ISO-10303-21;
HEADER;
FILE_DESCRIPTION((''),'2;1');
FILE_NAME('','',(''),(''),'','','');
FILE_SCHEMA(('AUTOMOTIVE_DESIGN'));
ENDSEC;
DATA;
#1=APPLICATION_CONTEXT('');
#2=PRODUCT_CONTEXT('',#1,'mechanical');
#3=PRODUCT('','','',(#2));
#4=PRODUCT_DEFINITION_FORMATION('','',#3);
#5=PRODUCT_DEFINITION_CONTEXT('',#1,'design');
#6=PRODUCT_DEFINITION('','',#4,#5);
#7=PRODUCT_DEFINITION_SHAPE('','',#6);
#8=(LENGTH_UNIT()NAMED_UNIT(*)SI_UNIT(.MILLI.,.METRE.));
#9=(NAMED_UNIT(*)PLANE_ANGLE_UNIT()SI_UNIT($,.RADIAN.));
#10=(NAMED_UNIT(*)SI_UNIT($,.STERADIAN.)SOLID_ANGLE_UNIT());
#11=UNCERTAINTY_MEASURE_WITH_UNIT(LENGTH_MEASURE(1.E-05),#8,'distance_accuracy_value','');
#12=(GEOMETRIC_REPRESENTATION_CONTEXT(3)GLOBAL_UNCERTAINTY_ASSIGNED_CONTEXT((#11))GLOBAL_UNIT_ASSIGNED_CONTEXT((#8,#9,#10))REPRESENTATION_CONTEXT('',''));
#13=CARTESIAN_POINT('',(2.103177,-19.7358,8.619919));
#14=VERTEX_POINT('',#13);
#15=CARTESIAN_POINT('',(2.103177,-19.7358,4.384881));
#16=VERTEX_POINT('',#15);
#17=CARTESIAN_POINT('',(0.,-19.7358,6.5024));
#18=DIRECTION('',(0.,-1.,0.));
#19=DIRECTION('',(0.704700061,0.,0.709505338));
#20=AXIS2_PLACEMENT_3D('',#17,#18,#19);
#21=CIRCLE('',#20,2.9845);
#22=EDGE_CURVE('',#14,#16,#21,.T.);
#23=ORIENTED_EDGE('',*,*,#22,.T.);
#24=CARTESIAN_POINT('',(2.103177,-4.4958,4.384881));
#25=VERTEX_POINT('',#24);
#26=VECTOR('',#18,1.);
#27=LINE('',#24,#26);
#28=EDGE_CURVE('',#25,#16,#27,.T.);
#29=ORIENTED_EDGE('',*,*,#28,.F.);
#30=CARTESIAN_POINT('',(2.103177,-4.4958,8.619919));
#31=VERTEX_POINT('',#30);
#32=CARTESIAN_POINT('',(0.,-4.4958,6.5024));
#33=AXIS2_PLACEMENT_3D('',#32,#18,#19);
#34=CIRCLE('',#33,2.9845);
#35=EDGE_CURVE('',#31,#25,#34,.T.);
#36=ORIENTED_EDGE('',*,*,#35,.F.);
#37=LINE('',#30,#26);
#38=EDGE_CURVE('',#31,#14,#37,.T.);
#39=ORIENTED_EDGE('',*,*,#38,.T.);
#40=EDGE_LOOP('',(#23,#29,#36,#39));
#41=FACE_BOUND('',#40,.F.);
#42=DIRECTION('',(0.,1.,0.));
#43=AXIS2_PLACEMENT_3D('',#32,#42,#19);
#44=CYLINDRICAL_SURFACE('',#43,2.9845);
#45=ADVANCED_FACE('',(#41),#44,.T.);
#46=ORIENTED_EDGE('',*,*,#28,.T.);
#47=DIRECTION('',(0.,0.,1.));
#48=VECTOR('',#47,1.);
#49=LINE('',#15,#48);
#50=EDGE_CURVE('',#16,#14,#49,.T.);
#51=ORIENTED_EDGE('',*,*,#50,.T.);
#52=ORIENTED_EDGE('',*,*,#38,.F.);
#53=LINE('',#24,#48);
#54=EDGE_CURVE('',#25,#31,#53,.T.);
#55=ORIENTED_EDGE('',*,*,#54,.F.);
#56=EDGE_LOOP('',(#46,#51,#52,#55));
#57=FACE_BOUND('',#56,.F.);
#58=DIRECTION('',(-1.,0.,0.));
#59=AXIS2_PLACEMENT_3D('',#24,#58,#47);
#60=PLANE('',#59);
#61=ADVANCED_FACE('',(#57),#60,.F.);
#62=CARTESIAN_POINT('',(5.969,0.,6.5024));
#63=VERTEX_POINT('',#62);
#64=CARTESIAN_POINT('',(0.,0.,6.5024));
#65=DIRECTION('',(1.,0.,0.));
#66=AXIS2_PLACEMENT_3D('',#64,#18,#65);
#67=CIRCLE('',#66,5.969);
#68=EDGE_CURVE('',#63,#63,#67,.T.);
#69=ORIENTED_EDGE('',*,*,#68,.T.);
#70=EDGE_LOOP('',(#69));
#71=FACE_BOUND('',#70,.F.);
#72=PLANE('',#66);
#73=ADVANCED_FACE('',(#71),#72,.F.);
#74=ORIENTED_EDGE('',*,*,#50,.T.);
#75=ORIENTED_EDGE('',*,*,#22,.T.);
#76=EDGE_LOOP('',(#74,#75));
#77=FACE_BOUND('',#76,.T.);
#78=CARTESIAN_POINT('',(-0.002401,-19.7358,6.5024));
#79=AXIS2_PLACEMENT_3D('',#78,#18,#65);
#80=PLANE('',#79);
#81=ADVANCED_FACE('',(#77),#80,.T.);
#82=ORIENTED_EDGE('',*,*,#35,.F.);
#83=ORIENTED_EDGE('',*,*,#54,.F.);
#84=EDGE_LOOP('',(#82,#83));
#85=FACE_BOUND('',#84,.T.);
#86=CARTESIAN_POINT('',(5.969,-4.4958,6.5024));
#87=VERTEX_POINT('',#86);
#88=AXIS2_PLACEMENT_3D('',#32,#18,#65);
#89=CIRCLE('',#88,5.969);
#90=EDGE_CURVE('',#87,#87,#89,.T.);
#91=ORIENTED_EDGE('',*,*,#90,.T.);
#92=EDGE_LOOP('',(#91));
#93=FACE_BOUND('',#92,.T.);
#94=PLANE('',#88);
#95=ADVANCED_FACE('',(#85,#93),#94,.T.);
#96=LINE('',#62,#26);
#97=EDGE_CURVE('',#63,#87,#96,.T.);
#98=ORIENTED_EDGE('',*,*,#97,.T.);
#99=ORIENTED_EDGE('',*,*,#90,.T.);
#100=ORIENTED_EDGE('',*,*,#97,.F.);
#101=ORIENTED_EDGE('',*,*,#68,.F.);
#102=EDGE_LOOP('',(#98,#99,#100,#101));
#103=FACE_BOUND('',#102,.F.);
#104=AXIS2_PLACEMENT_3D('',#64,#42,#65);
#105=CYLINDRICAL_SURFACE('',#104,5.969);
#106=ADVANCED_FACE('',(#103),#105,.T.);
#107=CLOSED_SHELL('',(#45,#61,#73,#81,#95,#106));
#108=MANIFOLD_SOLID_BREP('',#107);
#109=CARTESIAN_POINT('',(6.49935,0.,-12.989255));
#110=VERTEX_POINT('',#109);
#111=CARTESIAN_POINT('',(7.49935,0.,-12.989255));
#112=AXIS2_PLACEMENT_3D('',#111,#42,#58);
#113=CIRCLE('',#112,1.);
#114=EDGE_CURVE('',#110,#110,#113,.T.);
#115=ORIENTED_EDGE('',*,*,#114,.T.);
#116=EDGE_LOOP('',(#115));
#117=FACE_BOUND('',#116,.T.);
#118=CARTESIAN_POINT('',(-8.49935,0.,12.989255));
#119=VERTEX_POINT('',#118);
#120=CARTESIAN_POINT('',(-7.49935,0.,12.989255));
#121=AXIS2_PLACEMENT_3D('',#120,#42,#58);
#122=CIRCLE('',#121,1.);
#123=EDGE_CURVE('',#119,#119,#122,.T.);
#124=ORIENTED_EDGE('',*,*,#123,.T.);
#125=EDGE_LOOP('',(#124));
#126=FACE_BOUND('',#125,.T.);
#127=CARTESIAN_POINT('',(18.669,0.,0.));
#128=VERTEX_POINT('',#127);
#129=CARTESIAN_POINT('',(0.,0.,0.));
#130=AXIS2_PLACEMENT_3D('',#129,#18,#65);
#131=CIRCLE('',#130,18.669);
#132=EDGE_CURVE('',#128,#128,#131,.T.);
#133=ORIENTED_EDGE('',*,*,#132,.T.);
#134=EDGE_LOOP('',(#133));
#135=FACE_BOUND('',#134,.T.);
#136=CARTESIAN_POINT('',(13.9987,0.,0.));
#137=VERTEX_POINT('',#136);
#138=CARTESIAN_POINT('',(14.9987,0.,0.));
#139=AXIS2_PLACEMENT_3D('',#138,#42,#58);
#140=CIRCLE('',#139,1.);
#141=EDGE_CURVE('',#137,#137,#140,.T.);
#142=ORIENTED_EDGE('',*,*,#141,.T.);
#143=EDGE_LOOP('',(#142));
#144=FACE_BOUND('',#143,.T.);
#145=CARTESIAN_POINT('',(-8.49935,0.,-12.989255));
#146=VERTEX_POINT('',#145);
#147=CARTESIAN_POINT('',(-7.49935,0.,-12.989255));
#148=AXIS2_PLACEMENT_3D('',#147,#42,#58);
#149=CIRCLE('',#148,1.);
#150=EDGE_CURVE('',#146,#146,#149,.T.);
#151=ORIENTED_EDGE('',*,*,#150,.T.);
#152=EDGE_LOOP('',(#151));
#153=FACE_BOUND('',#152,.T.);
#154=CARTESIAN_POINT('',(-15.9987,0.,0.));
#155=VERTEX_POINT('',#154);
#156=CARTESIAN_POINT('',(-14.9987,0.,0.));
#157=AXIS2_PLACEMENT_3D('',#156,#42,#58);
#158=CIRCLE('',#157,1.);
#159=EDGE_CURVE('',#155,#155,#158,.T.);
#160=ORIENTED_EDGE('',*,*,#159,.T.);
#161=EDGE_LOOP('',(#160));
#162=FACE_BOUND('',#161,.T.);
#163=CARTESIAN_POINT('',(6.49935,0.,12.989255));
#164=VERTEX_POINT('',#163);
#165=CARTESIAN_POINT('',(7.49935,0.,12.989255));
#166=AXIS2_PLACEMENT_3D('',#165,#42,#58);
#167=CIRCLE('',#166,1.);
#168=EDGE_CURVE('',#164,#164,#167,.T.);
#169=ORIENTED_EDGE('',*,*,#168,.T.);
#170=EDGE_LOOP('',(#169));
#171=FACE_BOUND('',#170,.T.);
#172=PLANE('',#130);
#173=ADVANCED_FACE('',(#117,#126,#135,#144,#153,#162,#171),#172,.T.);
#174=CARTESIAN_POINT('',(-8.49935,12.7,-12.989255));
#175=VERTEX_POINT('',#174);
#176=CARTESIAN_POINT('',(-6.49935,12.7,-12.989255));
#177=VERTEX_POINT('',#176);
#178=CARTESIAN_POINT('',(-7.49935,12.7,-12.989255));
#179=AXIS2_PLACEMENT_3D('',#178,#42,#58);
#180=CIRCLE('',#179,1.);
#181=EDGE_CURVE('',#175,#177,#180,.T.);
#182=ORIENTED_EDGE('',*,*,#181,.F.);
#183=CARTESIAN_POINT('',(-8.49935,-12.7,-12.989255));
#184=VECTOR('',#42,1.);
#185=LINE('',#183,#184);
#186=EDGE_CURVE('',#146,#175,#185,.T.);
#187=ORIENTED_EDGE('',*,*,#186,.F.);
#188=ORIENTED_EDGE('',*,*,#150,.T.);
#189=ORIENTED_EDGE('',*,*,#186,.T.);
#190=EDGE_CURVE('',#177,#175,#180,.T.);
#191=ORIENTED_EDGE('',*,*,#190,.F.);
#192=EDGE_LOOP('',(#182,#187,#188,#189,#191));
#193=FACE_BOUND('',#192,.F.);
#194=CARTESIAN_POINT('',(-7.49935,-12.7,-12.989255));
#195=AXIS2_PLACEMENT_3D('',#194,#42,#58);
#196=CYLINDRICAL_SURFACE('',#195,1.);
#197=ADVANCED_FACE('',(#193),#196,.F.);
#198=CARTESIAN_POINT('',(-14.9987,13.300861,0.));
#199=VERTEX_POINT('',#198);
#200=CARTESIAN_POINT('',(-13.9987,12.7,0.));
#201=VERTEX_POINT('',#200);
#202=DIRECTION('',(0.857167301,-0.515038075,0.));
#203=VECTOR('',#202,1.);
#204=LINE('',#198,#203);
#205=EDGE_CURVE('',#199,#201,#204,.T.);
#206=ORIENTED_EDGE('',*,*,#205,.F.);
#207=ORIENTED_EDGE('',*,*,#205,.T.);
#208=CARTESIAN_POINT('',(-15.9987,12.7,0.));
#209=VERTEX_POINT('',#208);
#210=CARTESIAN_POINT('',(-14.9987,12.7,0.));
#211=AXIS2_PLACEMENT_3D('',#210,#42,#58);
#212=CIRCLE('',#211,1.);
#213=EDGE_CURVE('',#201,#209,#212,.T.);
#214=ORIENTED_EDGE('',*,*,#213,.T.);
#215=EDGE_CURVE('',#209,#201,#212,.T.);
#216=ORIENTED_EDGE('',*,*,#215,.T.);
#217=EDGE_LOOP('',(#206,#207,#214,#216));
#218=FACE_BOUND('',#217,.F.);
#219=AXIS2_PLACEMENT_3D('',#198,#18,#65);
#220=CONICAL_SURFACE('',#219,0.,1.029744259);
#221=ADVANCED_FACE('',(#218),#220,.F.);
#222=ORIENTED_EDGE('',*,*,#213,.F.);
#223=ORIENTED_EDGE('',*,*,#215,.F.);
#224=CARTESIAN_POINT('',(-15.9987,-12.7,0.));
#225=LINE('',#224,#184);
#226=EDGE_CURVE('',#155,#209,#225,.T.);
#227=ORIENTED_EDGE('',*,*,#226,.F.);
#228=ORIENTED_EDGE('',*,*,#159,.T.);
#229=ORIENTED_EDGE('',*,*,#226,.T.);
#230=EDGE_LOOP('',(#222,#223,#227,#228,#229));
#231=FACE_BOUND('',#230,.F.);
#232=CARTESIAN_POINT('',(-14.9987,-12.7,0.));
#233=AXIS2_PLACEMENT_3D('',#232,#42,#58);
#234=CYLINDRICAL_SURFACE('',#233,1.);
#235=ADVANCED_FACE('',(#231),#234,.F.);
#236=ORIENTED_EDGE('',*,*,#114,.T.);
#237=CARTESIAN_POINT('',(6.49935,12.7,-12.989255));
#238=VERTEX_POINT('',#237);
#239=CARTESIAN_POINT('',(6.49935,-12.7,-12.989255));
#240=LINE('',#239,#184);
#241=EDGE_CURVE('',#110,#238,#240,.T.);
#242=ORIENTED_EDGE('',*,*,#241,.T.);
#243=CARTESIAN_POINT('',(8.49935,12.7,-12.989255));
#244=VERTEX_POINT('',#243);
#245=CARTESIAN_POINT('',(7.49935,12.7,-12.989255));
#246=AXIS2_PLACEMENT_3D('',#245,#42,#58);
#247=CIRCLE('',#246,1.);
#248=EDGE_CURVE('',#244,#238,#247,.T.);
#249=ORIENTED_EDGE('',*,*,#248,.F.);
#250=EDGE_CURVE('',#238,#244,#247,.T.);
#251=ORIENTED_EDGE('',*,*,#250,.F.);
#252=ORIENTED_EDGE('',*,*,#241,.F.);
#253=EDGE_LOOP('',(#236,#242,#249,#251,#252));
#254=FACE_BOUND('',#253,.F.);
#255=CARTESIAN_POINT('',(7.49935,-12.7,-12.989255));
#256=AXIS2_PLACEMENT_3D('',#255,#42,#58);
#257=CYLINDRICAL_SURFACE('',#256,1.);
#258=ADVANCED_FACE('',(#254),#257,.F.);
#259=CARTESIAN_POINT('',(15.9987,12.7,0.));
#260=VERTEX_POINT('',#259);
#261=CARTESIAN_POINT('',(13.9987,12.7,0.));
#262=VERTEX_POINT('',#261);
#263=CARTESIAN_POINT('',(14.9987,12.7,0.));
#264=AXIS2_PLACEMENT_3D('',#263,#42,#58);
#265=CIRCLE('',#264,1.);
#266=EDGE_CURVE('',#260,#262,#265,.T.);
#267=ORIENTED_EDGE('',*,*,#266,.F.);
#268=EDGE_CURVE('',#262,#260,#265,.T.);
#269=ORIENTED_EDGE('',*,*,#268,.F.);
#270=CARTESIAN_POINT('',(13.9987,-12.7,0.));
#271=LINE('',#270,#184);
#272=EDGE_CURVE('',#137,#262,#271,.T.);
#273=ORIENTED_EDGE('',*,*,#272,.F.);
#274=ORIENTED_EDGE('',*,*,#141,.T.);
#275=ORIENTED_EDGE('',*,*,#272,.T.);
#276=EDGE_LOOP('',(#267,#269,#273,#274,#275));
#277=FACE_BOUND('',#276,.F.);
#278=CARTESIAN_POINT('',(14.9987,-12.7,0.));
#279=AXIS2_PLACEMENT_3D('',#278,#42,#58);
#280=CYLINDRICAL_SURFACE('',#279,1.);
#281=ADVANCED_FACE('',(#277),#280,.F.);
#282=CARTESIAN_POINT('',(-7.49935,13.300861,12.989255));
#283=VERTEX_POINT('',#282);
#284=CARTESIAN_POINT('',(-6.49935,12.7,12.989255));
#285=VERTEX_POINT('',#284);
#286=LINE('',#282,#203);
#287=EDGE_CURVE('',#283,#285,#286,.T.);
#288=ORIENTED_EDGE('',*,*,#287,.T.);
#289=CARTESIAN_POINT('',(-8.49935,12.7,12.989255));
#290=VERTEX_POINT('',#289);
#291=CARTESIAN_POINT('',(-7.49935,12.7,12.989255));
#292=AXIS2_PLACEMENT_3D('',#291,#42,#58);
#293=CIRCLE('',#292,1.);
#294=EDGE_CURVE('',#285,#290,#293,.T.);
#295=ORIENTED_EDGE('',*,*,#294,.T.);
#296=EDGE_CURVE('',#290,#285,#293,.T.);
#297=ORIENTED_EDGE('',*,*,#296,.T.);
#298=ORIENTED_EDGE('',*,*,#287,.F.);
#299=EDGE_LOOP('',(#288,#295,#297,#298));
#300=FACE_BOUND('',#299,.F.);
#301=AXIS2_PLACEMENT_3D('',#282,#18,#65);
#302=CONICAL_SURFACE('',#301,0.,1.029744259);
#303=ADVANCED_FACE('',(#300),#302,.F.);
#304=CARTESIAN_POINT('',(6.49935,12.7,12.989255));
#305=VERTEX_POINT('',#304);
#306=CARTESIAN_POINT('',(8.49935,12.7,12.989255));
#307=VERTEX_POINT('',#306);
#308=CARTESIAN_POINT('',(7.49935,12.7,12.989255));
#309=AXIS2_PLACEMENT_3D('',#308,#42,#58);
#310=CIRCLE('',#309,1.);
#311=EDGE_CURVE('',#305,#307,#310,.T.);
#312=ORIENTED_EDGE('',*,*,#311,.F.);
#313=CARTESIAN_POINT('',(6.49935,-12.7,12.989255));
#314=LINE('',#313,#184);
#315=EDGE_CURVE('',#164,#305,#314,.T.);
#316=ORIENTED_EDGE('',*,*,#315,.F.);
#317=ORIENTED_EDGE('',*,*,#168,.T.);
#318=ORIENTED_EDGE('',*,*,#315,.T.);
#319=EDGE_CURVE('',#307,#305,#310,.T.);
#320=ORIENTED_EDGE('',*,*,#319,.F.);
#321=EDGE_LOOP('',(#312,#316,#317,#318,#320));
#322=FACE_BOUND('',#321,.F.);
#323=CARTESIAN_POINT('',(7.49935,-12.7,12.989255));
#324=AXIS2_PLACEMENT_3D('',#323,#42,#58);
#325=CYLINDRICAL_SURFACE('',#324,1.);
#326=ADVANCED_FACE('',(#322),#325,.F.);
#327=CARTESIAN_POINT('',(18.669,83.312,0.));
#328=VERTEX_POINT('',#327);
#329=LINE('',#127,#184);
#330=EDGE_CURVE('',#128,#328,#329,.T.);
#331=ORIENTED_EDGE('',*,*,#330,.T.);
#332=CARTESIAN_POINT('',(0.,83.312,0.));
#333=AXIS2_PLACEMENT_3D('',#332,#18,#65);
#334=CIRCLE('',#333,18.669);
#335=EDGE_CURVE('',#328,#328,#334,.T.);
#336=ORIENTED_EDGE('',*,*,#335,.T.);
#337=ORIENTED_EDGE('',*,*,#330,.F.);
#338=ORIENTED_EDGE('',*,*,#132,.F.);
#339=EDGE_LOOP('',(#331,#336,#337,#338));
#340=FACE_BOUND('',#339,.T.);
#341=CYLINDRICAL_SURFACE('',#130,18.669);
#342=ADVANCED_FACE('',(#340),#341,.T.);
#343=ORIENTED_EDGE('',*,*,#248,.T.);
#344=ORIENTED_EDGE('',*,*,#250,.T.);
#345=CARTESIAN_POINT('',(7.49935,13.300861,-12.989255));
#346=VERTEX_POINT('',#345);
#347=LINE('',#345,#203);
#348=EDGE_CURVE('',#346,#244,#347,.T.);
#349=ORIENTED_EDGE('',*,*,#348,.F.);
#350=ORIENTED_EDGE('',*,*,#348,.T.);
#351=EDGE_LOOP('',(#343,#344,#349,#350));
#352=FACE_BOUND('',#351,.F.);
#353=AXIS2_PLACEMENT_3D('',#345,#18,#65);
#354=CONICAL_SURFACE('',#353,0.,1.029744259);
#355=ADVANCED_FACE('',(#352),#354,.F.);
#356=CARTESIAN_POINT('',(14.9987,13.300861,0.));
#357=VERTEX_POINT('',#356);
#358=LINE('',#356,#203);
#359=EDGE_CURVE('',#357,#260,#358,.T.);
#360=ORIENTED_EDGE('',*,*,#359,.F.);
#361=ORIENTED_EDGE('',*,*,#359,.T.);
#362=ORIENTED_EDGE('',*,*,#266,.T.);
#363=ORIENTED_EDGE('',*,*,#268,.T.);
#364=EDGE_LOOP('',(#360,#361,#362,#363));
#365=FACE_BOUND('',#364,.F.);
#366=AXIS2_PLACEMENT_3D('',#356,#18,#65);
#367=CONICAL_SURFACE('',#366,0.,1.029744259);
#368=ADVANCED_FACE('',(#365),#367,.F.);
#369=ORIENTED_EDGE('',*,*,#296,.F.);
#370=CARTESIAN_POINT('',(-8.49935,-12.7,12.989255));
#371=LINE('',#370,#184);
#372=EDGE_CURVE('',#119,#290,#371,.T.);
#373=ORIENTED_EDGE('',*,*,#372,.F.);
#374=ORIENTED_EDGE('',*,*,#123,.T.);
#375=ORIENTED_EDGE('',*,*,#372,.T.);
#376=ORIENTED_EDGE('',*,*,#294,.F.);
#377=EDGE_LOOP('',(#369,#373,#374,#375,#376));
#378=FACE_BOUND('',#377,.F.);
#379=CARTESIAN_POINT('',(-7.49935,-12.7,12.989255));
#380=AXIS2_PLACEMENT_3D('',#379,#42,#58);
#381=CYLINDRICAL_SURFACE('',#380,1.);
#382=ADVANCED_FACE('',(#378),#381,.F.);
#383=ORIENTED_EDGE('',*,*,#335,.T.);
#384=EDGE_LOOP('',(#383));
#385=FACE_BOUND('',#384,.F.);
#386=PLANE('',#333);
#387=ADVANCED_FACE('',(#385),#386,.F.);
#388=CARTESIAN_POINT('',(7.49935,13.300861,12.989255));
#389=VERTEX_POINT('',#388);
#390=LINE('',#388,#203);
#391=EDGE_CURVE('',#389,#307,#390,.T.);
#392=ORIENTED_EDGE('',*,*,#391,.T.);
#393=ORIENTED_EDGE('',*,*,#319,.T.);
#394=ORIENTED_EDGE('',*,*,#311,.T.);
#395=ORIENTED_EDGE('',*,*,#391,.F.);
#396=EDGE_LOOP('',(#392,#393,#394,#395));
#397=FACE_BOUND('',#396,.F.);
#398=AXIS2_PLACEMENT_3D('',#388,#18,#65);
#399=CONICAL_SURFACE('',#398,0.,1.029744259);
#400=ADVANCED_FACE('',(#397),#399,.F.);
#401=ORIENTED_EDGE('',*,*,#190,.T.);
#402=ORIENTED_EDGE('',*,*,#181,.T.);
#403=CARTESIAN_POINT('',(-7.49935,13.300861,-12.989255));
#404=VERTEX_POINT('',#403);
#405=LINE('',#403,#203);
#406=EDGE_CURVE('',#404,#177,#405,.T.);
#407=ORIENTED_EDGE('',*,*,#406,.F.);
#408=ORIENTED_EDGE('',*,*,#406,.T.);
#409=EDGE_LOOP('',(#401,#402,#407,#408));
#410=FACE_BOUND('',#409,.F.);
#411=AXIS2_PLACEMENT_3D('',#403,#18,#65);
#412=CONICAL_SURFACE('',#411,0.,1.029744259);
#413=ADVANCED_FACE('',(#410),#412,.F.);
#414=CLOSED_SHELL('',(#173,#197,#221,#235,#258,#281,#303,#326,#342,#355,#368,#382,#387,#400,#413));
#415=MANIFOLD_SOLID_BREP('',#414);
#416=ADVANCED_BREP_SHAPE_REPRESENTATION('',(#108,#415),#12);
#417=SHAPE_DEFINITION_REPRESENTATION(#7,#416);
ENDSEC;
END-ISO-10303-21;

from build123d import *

# Parameters (mm, degrees)
F0_R     = 18.669
F0_R_2   = 14.9987
F0_R_3   = 5.969
F1_DEPTH = 83.312
F2_D     = 2
F2_DEPTH = 12.7
F2_TIP   = 0.600860619
F3_DEPTH = 4.4958
F5_DEPTH = 15.24


with BuildPart() as f1:
    # F0 (on Front) → F1 (new body)
    with BuildSketch(Plane.XZ):
        Circle(F0_R)
        Circle(F0_R_2, mode=Mode.SUBTRACT)
        Circle(F0_R_2)
        with Locations((0, 6.5024)):
            Circle(F0_R_3, mode=Mode.SUBTRACT)
        with Locations((0, 6.5024)):
            Circle(F0_R_3)
    extrude(amount=-F1_DEPTH)

    # F2
    with Locations(Plane.XZ):
        with Locations((-7.49935, 12.9892552237), (7.49935, 12.9892552237), (14.9987, 0), (7.49935, -12.9892552237), (-7.49935, -12.9892552237), (-14.9987, 0)):
            Hole(F2_D / 2, depth=F2_DEPTH)
            with Locations((0, 0, -(F2_DEPTH + F2_TIP / 2))):  # 118° drill point
                Cone(0, F2_D / 2, F2_TIP, mode=Mode.SUBTRACT)


with BuildPart() as f3:
    # F0 (on Front) → F3 (new body)
    with BuildSketch(Plane.XZ):
        with Locations((0, 6.5024)):
            Circle(F0_R_3)
    extrude(amount=F3_DEPTH)

    # F4 (on face) → F5 (join)
    with BuildSketch(Plane.XZ.offset(4.4958)):
        with BuildLine():
            Line((2.1031773316, 4.3848813196), (2.1031773316, 8.6199186804))
            ThreePointArc((2.1031773316, 8.6199186804), (-2.9845, 6.5024), (2.1031773316, 4.3848813196))
        make_face()
    extrude(amount=F5_DEPTH)


solid = Compound([f1.part, f3.part])
